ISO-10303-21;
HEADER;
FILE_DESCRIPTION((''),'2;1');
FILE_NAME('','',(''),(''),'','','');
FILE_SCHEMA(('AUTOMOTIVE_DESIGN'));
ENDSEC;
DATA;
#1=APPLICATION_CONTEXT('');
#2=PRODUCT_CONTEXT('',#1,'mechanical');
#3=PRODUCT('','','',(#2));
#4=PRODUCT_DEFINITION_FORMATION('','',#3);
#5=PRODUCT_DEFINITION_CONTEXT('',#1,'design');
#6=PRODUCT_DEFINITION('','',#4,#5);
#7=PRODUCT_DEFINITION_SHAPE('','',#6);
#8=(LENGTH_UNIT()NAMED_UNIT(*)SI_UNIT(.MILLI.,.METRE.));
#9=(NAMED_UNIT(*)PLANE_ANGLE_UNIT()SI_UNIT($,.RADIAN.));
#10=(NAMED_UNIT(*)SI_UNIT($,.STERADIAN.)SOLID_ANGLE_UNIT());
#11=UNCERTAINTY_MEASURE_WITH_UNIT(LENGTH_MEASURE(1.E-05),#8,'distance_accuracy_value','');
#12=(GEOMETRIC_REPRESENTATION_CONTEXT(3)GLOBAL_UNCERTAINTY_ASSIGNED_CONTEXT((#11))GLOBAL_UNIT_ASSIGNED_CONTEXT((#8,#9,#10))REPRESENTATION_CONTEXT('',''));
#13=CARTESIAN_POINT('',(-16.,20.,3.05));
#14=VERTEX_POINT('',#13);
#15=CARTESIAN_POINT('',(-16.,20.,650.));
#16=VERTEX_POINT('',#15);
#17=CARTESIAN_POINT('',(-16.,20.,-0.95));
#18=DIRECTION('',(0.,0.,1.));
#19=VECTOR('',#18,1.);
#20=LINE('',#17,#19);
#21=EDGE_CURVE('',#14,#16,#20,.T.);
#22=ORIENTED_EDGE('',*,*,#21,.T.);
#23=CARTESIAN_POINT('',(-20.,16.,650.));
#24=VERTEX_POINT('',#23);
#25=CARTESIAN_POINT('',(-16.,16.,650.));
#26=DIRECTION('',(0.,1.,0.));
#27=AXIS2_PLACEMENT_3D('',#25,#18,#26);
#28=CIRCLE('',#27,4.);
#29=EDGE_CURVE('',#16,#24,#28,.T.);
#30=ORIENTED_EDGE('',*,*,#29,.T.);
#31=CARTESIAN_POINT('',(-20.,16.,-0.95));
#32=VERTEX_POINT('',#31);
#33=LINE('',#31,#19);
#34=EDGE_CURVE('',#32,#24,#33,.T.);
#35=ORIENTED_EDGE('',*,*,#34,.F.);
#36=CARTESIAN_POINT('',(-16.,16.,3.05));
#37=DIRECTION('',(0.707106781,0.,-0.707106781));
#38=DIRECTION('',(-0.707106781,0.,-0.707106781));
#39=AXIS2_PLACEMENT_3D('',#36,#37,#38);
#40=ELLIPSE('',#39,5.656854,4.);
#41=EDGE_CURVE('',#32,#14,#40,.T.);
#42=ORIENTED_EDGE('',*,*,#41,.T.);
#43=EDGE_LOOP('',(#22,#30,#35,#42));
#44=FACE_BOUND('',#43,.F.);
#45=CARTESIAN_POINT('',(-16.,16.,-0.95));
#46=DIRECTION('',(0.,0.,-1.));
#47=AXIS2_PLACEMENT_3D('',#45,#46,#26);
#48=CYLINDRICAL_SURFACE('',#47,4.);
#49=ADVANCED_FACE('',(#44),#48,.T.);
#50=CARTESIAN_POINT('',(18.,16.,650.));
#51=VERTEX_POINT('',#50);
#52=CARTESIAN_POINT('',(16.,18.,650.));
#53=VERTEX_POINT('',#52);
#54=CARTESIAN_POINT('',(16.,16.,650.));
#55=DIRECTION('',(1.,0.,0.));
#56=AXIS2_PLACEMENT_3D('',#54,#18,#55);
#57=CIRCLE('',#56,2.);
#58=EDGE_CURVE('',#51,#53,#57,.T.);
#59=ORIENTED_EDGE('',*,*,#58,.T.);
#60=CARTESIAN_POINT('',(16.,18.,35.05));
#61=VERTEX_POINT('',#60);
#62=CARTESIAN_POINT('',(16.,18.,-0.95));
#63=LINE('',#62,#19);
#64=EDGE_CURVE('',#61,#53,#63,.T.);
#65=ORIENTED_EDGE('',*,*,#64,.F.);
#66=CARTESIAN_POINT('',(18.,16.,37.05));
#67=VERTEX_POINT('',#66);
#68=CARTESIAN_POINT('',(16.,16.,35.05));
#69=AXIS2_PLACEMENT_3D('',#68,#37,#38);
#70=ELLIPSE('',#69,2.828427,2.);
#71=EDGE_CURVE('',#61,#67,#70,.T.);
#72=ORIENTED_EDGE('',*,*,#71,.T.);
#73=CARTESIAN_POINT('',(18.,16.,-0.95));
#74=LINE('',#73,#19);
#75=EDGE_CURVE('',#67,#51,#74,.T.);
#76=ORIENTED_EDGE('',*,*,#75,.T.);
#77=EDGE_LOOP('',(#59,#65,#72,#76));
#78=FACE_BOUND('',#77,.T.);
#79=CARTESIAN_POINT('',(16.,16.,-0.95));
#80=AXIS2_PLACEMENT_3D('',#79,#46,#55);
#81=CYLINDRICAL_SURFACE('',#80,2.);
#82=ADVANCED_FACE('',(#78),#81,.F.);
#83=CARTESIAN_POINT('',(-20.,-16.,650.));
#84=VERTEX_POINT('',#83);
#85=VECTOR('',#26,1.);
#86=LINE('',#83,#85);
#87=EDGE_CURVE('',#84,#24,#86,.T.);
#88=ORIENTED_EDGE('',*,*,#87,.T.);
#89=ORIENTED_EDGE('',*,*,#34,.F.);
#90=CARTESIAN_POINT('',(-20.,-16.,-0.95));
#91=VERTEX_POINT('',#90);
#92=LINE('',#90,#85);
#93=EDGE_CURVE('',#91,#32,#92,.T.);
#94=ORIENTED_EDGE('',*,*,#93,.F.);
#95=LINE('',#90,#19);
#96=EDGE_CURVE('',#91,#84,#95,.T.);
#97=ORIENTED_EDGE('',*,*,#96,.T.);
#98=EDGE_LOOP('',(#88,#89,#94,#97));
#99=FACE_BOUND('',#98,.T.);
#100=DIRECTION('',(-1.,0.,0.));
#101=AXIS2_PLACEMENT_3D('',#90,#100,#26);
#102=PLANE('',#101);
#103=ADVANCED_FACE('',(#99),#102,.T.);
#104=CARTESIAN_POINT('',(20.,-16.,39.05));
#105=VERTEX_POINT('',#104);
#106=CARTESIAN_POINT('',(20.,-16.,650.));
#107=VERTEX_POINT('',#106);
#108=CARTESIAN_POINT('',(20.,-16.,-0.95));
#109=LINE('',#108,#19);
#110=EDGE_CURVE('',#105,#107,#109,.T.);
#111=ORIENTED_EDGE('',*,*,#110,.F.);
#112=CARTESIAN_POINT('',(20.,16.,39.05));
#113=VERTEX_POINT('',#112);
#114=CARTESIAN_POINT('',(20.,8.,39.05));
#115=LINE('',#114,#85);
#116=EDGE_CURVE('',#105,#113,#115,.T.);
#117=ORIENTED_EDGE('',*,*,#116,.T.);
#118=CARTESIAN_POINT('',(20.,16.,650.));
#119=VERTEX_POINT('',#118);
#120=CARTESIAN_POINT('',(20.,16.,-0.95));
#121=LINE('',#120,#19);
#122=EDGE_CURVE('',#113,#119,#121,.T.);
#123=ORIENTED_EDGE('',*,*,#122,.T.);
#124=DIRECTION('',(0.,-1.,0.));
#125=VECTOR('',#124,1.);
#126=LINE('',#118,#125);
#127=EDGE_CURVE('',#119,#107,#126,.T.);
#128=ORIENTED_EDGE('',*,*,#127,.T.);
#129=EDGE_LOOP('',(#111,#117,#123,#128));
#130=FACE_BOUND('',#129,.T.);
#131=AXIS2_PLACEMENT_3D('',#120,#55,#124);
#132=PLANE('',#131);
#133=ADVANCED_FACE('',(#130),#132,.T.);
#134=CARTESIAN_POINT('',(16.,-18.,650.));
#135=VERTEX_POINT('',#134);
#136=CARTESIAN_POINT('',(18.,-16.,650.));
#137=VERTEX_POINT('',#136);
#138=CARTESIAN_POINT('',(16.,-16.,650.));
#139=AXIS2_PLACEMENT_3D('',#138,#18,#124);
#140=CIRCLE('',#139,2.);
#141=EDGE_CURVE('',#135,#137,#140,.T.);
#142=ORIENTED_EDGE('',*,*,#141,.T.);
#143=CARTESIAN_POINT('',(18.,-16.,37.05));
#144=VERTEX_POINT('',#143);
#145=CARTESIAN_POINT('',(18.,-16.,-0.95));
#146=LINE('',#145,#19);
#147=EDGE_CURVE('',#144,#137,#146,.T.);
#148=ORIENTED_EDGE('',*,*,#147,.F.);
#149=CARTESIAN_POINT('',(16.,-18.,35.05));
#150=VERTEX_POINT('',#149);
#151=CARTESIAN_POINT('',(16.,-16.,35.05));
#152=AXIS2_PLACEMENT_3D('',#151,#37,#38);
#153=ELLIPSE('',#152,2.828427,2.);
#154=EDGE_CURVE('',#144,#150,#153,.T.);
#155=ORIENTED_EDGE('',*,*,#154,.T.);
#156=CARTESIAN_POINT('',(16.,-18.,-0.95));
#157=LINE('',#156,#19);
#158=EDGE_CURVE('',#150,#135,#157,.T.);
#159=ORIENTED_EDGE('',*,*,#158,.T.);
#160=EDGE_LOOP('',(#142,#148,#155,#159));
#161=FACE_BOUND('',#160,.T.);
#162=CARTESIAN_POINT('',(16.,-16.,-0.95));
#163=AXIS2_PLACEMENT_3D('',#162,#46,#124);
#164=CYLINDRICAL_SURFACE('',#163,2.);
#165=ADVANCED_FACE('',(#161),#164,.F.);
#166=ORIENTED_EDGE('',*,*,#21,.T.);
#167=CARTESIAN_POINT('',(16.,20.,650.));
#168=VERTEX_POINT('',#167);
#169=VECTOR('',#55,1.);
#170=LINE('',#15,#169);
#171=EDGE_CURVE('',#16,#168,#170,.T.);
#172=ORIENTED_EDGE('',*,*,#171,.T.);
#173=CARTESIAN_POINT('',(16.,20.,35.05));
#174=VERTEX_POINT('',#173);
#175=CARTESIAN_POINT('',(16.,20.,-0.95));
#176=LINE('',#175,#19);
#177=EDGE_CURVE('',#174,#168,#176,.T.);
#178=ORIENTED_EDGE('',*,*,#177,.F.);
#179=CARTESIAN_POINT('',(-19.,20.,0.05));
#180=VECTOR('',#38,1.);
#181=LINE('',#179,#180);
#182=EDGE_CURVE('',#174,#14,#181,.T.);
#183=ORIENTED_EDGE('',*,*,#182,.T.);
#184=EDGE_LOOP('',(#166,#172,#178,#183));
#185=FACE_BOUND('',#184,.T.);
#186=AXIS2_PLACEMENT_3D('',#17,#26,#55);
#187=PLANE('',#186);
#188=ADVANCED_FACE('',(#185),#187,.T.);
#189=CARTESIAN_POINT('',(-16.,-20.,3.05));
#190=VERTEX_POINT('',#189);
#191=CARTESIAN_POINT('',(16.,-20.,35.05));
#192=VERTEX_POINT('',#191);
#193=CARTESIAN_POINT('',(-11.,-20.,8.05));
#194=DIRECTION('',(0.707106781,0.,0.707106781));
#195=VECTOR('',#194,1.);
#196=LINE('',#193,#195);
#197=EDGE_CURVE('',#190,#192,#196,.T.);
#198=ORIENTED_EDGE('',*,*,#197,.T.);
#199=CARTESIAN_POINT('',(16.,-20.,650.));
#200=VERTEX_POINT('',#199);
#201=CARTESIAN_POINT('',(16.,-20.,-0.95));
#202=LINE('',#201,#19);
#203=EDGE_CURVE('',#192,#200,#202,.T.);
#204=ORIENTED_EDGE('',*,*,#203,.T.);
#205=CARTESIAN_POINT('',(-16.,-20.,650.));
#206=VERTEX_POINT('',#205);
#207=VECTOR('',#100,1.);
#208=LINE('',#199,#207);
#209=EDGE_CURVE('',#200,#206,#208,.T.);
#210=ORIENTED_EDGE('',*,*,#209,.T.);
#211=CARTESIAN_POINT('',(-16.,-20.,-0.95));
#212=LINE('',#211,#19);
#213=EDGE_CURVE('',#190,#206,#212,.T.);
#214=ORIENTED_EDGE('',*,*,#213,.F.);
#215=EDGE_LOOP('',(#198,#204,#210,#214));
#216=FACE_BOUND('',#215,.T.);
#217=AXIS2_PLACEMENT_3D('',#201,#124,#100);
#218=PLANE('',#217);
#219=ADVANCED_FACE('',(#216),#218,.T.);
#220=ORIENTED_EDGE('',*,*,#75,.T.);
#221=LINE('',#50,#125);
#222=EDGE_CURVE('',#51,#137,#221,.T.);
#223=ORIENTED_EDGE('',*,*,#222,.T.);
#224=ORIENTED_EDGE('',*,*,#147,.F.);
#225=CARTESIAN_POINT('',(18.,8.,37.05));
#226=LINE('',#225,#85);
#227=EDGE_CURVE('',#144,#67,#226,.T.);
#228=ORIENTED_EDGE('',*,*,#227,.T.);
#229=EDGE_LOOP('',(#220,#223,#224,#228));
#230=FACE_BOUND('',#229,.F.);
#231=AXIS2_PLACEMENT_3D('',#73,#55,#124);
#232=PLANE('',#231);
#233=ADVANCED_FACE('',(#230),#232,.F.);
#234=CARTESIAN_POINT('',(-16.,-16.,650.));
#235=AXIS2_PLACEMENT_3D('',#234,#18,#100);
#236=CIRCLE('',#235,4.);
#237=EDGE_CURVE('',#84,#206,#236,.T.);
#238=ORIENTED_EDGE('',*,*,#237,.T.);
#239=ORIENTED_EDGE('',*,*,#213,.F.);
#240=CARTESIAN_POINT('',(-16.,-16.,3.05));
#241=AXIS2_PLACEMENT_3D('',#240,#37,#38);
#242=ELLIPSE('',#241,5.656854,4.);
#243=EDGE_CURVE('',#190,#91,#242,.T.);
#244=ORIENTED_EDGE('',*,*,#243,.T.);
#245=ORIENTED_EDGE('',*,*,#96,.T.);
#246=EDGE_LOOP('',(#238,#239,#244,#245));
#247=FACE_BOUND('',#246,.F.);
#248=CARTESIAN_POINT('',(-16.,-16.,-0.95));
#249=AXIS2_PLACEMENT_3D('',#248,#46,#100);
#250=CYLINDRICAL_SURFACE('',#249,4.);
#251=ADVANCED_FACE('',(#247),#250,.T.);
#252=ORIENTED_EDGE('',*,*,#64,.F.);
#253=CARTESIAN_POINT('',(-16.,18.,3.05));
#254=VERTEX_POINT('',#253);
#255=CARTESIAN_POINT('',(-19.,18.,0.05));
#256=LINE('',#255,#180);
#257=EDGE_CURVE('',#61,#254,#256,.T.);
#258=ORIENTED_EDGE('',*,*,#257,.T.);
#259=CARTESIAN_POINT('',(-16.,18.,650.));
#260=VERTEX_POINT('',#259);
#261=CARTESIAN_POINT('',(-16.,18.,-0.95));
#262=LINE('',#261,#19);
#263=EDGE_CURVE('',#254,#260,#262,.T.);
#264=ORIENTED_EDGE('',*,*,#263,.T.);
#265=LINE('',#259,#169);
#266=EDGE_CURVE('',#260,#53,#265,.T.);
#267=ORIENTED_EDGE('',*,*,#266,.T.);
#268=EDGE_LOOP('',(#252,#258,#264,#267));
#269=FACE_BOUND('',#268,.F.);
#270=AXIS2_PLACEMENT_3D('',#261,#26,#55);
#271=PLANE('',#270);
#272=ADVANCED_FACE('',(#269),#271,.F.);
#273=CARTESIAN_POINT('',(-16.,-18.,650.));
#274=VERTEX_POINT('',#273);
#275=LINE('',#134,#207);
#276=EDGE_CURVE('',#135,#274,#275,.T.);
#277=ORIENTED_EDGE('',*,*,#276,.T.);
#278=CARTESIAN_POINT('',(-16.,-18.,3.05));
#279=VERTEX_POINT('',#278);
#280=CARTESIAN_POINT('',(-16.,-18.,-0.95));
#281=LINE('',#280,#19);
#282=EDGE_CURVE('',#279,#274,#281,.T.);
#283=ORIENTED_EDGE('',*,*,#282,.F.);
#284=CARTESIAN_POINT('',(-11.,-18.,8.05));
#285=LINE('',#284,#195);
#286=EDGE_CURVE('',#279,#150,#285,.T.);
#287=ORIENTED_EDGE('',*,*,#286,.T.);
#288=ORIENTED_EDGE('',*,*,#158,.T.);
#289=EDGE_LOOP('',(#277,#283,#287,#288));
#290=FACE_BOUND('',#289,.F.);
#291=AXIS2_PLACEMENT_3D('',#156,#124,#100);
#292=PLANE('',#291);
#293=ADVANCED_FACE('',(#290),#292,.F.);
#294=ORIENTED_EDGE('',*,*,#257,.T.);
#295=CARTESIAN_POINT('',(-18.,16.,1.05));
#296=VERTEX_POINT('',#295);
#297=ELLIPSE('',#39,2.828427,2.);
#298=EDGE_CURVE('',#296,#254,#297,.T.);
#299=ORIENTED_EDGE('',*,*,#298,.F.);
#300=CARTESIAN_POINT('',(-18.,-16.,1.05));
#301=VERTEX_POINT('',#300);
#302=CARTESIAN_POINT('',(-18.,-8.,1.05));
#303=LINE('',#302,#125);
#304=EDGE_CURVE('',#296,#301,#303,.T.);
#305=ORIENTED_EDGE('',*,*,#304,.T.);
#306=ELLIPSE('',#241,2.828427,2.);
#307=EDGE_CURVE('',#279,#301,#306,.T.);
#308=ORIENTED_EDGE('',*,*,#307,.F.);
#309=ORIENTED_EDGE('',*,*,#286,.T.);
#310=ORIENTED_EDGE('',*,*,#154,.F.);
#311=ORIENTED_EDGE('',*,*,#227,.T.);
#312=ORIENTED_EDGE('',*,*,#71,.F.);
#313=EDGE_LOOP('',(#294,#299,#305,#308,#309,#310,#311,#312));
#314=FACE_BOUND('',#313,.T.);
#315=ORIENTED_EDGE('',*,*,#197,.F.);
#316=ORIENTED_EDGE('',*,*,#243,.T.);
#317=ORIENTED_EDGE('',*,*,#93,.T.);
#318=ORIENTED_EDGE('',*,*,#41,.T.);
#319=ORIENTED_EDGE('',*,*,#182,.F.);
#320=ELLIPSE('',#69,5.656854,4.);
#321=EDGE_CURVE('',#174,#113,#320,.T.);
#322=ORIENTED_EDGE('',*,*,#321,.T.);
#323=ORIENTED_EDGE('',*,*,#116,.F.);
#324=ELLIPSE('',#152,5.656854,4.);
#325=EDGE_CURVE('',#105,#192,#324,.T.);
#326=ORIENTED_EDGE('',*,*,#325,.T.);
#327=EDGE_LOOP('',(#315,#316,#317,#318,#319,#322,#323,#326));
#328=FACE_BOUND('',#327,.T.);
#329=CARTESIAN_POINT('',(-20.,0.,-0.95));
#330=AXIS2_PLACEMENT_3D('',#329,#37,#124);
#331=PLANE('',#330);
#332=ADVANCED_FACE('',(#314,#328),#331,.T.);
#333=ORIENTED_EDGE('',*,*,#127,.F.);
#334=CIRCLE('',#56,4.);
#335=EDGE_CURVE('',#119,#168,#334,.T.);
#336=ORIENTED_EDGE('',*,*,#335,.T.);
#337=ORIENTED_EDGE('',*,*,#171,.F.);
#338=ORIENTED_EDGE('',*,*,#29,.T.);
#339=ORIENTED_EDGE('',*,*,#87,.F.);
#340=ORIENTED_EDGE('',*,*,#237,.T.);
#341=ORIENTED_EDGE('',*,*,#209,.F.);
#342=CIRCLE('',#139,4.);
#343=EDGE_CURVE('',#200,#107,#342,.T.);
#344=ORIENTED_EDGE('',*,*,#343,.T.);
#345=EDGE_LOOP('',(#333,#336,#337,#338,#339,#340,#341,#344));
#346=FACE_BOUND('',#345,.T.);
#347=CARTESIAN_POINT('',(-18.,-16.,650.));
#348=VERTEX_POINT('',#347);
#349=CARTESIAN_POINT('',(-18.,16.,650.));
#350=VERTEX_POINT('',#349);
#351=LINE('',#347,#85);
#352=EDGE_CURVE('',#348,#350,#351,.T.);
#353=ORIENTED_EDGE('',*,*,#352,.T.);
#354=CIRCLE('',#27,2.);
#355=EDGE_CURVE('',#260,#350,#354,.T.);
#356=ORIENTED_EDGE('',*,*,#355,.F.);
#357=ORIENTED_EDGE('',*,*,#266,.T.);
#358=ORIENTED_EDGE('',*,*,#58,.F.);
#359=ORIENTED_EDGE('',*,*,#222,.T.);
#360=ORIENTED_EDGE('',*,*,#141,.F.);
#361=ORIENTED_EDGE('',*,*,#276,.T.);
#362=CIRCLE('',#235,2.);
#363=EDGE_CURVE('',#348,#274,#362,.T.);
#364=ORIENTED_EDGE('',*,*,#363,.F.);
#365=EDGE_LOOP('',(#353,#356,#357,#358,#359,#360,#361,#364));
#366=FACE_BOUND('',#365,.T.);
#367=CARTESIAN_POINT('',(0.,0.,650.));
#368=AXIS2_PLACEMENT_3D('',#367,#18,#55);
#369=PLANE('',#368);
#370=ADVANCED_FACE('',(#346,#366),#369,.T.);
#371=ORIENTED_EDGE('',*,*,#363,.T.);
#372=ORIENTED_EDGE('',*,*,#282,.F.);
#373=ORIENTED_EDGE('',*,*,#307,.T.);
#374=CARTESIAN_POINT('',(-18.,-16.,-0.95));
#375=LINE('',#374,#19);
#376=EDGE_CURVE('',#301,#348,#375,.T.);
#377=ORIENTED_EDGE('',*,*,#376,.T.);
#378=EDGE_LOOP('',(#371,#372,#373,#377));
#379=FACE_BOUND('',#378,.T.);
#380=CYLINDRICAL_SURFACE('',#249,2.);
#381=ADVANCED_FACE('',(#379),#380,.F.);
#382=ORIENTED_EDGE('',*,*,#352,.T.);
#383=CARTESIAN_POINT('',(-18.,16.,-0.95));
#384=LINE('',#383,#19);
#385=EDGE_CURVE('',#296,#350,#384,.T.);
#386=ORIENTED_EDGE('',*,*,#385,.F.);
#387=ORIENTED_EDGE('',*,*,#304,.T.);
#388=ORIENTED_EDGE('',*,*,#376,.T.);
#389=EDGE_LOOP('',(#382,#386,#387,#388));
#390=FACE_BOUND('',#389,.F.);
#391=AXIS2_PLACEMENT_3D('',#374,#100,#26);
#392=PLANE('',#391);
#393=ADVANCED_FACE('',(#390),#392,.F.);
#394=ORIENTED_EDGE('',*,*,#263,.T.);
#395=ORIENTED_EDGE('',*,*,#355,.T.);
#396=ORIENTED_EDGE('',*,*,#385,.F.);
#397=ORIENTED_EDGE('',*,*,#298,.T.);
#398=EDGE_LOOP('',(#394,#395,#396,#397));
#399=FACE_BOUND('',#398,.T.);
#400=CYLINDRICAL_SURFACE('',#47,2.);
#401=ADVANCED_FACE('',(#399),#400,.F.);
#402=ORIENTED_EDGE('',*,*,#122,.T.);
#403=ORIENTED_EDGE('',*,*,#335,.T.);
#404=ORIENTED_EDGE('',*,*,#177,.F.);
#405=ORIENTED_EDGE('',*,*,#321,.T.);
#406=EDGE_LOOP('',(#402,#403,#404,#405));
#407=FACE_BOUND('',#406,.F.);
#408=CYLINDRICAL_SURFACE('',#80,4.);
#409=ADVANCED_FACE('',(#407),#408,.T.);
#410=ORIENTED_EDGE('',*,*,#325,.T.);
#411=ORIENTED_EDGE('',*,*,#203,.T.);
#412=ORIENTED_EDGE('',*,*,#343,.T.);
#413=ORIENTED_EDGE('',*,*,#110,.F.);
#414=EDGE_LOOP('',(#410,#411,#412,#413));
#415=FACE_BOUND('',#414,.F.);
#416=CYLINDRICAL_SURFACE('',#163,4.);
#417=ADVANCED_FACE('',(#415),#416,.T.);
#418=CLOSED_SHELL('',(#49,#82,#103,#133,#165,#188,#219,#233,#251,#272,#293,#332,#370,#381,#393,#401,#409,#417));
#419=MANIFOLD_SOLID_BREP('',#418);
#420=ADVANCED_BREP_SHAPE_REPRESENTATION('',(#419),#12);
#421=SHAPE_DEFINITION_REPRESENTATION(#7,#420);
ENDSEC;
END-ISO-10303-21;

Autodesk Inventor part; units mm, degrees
ref_plane "Start plane" through (0, 0, -0.95) normal (0, 0, 1) x (1, 0, 0)
ref_plane "End plane" through (0, 0, 650) normal (0, 0, 1) x (1, 0, 0)
sketch "Sketch" plane through (0, 0, 0) normal (0, 0, 1) x (1, 0, 0)
  line L0 (-20, -16) -> (-20, 16)
  line L1 (-16, 20) -> (16, 20)
  line L2 (20, 16) -> (20, -16)
  line L3 (16, -20) -> (-16, -20)
  arc A0 (-20, -16) -> (-16, -20) centre (-16, -16) ccw
  arc A1 (20, 16) -> (16, 20) centre (16, 16) ccw
  arc A2 (-16, 20) -> (-20, 16) centre (-16, 16) ccw
  arc A3 (16, -20) -> (20, -16) centre (16, -16) ccw
  arc A4 (-16, 18) -> (-18, 16) centre (-16, 16) ccw
  line L4 (-16, 18) -> (16, 18)
  arc A5 (18, 16) -> (16, 18) centre (16, 16) ccw
  line L5 (18, 16) -> (18, -16)
  arc A6 (16, -18) -> (18, -16) centre (16, -16) ccw
  line L6 (16, -18) -> (-16, -18)
  arc A7 (-18, -16) -> (-16, -18) centre (-16, -16) ccw
  line L7 (-18, -16) -> (-18, 16)
  line L8 (0, 29.1598) -> (0, -29.1598) construction
  line L9 (-29.1598, 0) -> (29.1598, 0) construction
  dimension "d7" = 4
  dimension "d9" = 40
  dimension "d11" = 40
  dimension "d12" = 2
  dimension "d15" = 20
  dimension "d16" = 20
extrude "Body" add sketch "Sketch" along normal up to surface (650.95 mm away) from surface at -0.95
sketch "Sketch3" plane through (0, 0, 0) normal (0, 0, 1) x (1, 0, 0)
  line L0 (0, 0) -> (10, 0)
ref_plane "Work Plane3" through (0, 0, 0) normal (0, -1, 0) x (1, 0, 0)
sketch "Sketch4" plane through (0, 0, 0) normal (0, -1, 0) x (1, 0, 0)
  line L0 (-2, -0.95) -> (12, -0.95)
  line L1 (-2, 650) -> (12, 650)
  dimension "d18" = 650.95
ref_plane "Work Plane4" through (-20, 0, -0.95) normal (0.7071, 0, -0.7071) x (-0.7071, 0, -0.7071)
split "Split1" plane through (-20, 0, -0.95) removes the side toward (0.7071, 0, -0.7071)
equation "\"d7\" = G_IR"
equation "\"d9\" = G_W"
equation "\"d11\" = G_H"
equation "\"d12\" = G_T"
equation "\"d15\" = 0.5 * d9"
equation "\"d16\" = 0.5 * d11"
equation "\"d3\" = G_L"
equation "\"G_W\" = 40"
equation "\"G_H\" = 40"
equation "\"G_T\" = 2"
equation "\"G_IR\" = 4"
equation "\"G_L\" = d18"
equation "\"G_OFFSET_START\" = 0.95"
equation "\"G_OFFSET_END\" = 0"
equation "\"d13\" = -G_OFFSET_START"
equation "\"d14\" = G_OFFSET_END + B_L"
equation "\"B_L\" = 650"
properties part number "ISO 4019 - 40x40x2 - 650.95" material "Steel, Mild"
